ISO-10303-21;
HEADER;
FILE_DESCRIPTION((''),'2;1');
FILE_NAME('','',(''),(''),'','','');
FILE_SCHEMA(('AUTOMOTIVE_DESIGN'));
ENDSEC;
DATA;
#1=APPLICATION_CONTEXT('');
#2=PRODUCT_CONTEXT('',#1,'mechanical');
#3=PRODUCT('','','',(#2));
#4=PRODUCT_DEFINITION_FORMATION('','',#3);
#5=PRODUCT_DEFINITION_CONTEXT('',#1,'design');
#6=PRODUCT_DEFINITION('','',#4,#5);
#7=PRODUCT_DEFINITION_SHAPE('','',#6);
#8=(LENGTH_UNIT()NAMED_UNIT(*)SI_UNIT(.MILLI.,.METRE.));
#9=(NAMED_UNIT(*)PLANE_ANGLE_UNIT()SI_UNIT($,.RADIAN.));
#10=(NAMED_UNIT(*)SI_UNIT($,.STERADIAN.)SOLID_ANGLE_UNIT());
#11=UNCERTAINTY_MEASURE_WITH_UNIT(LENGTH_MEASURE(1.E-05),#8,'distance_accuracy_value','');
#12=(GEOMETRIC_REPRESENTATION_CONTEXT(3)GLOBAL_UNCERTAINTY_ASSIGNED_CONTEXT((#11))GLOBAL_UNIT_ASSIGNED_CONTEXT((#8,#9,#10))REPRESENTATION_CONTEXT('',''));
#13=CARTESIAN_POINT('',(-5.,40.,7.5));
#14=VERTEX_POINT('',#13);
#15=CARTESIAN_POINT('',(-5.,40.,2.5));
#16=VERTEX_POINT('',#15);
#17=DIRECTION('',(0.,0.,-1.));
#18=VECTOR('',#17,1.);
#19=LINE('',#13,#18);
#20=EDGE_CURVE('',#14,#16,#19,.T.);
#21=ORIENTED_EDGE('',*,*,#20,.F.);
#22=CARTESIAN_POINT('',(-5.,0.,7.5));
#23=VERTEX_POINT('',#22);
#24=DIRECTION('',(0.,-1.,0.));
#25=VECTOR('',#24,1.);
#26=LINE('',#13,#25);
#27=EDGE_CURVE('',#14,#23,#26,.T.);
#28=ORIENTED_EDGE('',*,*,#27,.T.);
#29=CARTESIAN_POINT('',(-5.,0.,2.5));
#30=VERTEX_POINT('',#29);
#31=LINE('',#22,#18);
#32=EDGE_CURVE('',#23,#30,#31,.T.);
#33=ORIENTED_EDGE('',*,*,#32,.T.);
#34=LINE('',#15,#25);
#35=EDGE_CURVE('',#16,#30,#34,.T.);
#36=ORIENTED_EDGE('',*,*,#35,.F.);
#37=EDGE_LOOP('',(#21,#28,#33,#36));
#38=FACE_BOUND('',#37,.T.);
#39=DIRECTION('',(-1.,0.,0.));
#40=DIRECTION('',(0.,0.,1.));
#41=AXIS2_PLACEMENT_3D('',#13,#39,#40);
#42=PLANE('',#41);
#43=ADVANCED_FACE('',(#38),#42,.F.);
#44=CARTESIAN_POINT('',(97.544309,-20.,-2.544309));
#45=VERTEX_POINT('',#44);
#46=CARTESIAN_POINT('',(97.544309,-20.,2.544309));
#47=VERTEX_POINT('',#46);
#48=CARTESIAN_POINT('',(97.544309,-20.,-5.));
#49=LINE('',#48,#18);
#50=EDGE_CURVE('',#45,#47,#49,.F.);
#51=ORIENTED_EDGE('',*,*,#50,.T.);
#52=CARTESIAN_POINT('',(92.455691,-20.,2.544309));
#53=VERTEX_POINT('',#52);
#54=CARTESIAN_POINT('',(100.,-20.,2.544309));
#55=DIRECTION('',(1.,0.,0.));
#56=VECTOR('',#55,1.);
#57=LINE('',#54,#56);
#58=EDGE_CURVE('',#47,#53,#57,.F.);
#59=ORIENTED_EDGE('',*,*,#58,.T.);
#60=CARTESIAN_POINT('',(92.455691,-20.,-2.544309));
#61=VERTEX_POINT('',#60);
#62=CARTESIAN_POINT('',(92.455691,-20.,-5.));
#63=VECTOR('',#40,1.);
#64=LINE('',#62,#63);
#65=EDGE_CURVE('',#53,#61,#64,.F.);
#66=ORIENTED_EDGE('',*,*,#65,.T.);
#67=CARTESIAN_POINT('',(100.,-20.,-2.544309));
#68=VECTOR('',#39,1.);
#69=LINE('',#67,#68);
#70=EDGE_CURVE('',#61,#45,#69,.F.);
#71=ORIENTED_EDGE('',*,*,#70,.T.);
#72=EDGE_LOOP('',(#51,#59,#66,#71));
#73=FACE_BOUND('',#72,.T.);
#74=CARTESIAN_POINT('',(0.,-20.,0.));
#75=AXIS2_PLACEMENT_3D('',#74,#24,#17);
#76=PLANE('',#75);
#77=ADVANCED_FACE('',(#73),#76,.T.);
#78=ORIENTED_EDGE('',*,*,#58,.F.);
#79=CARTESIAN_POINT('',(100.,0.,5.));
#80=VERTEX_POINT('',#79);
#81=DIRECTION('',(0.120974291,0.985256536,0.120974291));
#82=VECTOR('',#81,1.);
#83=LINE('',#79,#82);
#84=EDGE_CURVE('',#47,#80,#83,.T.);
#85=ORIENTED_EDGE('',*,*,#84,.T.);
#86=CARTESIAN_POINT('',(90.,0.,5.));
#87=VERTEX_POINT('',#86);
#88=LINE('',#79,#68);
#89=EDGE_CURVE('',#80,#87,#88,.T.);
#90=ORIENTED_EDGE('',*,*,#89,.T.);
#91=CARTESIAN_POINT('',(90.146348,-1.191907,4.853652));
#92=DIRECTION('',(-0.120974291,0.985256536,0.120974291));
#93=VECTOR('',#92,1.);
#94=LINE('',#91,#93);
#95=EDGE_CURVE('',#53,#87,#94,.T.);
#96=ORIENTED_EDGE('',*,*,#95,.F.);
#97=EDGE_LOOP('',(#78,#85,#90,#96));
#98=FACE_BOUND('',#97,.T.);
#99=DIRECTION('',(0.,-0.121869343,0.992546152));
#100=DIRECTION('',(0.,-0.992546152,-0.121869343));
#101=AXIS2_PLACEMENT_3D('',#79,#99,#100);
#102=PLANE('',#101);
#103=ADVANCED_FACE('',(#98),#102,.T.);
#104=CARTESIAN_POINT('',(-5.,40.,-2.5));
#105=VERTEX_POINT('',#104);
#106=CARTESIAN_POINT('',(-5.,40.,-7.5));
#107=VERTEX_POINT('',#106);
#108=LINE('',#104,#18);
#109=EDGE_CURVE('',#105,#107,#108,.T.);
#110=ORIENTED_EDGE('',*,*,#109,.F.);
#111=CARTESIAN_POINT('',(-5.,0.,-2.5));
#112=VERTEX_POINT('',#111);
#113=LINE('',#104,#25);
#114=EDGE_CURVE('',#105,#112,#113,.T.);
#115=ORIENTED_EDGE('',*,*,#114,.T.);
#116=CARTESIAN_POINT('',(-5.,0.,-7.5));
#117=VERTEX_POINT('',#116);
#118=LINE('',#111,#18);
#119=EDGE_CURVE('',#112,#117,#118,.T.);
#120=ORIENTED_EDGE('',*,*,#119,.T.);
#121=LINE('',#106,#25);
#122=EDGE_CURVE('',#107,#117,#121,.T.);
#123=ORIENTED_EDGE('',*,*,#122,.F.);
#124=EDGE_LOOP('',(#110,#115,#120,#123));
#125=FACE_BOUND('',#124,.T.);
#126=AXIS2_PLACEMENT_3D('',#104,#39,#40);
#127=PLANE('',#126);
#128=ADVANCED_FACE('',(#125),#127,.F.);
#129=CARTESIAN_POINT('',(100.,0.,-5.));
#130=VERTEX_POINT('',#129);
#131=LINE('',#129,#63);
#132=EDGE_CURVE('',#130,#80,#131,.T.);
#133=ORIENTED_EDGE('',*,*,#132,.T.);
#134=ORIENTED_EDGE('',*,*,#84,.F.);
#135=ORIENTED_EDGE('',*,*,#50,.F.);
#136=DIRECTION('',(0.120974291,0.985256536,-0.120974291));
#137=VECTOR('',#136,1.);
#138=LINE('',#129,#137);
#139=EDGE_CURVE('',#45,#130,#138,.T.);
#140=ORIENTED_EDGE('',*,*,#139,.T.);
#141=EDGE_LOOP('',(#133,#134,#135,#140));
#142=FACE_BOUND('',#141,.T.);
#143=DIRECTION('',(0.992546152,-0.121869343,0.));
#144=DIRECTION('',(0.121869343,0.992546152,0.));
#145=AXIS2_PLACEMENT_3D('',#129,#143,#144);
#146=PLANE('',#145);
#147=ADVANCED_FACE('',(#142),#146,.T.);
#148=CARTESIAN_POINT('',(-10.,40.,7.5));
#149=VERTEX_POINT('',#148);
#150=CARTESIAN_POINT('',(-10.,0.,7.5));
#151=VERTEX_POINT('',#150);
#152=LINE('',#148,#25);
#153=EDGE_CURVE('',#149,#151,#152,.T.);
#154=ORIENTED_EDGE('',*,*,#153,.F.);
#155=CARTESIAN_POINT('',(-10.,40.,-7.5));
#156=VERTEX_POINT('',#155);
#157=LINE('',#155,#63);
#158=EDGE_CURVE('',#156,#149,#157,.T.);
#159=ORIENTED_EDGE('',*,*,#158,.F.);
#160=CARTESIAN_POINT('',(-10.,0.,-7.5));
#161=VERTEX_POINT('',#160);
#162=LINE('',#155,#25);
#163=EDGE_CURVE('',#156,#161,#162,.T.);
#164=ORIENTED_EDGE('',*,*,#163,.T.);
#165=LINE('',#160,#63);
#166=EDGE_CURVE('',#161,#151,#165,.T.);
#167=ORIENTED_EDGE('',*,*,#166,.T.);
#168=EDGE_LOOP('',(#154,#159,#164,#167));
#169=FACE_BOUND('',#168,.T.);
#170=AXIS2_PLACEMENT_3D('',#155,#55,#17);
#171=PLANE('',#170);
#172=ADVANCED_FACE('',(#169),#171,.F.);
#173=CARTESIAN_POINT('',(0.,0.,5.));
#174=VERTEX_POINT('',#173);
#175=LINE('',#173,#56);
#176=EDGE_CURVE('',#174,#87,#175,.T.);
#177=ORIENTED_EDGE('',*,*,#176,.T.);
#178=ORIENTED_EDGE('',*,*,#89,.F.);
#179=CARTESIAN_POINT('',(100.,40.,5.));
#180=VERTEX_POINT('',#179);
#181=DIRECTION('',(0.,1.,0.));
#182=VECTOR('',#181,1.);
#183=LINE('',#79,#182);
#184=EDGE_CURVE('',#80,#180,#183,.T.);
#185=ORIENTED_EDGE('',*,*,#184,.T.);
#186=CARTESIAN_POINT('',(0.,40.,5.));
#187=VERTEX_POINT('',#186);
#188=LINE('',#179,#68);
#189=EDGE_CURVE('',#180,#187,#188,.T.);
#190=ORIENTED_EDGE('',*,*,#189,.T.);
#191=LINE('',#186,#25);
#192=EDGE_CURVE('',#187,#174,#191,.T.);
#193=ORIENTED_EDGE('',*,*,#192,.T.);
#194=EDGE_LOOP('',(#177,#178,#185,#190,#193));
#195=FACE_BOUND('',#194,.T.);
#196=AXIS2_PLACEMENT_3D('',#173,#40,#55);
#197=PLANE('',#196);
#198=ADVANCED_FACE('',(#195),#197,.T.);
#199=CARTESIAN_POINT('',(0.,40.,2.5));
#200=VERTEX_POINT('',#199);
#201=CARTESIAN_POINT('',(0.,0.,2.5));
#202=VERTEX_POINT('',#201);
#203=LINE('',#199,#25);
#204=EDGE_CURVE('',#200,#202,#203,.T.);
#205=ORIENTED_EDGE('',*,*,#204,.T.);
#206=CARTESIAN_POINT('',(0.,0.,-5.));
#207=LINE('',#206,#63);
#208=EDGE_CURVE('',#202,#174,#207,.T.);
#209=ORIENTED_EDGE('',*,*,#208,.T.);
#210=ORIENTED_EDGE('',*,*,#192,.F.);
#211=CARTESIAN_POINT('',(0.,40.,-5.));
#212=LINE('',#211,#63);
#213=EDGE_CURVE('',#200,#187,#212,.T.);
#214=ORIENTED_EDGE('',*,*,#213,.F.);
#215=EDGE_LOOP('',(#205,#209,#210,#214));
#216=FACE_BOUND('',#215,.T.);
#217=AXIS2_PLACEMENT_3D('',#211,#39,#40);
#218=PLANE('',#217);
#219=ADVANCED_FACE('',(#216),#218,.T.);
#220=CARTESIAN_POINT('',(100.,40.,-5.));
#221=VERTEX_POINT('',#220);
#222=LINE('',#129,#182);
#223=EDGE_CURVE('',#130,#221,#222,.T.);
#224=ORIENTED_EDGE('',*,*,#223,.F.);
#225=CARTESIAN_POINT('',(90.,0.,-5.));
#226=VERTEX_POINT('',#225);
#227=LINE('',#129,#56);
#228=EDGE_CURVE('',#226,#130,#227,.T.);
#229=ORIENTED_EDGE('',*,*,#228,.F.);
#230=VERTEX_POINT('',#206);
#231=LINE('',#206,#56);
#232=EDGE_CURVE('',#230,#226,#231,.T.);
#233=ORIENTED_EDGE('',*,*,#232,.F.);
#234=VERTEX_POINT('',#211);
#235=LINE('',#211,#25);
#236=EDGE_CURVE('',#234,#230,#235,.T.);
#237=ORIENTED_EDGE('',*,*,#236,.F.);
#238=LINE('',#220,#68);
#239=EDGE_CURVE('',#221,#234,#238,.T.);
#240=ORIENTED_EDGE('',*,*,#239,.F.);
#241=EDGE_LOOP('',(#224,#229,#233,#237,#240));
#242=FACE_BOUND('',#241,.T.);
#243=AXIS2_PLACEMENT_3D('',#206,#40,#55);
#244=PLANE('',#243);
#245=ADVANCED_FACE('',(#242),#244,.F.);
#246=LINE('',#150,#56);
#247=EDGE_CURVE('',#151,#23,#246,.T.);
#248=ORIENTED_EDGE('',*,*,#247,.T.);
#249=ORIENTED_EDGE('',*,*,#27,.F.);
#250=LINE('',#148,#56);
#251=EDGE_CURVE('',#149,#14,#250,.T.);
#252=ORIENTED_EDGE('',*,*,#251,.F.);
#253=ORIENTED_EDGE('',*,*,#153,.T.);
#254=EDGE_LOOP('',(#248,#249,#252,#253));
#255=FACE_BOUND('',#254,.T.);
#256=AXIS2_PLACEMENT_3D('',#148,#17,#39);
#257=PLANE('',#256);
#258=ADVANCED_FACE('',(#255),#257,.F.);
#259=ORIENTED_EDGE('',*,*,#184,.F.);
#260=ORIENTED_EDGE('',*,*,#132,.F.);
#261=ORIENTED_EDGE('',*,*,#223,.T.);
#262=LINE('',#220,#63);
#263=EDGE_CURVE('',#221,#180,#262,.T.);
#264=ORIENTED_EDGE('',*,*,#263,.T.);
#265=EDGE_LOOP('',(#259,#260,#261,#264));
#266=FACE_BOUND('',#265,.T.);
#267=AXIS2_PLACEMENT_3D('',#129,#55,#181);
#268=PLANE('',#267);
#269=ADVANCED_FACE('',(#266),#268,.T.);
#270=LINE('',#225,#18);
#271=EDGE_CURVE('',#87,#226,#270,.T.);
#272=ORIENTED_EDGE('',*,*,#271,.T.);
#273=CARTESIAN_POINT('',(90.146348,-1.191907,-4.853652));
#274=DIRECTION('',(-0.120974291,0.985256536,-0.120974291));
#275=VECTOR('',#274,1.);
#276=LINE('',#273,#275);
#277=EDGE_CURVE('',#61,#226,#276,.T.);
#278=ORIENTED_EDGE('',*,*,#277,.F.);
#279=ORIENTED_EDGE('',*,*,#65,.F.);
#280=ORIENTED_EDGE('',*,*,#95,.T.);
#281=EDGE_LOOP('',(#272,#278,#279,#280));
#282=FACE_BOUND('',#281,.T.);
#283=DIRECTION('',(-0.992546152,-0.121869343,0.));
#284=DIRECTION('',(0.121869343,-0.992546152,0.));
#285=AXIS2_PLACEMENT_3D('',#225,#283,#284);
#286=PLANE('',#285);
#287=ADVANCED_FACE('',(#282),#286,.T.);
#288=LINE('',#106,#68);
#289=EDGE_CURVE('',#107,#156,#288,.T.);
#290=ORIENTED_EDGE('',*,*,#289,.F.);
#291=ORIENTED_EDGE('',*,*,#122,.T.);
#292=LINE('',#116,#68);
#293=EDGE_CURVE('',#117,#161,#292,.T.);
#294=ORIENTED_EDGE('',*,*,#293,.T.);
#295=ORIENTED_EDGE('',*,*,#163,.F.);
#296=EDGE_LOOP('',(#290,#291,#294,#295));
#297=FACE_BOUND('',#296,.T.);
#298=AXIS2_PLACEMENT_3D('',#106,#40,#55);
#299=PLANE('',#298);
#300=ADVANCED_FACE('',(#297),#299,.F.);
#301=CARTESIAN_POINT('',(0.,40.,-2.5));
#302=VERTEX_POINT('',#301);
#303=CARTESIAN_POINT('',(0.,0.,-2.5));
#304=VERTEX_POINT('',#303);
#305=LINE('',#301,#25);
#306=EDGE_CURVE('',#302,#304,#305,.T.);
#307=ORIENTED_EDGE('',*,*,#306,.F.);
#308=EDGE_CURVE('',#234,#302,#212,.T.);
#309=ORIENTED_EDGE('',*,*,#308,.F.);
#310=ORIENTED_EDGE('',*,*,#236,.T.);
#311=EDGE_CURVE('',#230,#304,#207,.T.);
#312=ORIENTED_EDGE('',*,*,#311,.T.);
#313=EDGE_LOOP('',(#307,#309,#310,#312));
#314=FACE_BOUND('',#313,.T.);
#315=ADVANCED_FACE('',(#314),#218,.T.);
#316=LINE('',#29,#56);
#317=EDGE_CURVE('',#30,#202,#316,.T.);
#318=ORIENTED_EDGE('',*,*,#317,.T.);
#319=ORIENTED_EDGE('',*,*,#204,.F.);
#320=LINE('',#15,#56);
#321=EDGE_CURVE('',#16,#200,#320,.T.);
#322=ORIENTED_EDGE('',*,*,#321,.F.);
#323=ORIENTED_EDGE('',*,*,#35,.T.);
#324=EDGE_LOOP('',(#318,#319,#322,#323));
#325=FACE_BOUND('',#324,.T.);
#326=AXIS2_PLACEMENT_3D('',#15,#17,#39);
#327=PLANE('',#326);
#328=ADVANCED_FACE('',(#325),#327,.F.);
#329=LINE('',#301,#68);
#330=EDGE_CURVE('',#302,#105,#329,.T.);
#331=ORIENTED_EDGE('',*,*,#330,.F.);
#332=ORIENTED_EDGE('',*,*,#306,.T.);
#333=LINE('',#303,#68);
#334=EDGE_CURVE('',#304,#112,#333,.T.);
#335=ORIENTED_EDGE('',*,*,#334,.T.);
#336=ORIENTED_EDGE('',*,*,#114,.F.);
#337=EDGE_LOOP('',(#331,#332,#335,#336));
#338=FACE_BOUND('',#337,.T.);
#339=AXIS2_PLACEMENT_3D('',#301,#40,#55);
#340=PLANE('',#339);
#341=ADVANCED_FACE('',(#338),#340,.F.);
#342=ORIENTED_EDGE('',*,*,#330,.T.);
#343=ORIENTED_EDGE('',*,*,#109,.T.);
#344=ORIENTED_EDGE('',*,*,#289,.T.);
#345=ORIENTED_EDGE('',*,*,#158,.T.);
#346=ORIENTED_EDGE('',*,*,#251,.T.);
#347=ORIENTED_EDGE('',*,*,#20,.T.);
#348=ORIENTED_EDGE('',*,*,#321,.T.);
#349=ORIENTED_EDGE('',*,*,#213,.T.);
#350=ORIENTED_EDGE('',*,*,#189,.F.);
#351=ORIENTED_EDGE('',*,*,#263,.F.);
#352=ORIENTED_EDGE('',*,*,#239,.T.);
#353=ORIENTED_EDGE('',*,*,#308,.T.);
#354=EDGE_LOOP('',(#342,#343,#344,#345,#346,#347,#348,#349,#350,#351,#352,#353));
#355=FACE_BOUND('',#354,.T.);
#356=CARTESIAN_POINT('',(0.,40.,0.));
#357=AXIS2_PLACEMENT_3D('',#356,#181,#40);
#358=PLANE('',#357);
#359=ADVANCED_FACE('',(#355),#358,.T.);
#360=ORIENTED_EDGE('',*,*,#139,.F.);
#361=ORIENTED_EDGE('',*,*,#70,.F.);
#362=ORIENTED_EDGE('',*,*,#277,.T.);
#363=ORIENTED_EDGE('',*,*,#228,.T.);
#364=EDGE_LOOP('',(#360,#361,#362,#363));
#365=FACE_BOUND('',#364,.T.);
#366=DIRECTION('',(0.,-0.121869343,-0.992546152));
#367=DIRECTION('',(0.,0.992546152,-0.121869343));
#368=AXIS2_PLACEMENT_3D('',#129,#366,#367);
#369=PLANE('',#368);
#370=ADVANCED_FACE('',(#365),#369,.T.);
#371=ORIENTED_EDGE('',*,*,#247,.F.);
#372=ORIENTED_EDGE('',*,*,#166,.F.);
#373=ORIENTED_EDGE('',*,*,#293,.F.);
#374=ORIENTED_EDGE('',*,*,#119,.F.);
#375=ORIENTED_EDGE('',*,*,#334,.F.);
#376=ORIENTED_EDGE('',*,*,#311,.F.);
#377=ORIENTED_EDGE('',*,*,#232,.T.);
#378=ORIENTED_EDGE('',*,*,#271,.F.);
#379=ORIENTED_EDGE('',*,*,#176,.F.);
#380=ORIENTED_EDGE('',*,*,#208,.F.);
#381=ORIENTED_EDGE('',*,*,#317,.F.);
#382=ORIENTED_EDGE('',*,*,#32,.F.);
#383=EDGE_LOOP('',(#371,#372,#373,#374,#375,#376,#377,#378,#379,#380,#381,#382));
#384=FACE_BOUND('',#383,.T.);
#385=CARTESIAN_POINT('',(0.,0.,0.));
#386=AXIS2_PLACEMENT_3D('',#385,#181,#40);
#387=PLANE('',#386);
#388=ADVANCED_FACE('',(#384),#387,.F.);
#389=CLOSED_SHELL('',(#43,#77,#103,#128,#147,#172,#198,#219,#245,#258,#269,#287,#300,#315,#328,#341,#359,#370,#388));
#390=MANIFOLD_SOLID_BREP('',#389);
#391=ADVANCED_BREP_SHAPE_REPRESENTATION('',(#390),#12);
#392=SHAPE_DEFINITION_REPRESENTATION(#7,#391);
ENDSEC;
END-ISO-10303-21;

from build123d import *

# Parameters (mm, degrees)
BOSS_EXTRUDE1_DEPTH      = 40
SKETCH3_W                = 100
SKETCH3_H                = 40
BOSS_EXTRUDE2_DEPTH      = 5
BOSS_EXTRUDE2_DEPTH_BACK = 5
SKETCH4_W                = 10
SKETCH4_H                = 10
BOSS_EXTRUDE3_DEPTH      = 20
BOSS_EXTRUDE3_TAPER      = 7


with BuildPart() as part:
    # Sketch2 → Boss-Extrude1 (new body)
    with BuildSketch(Plane(origin=(0, 0, 0), x_dir=(1, 0, 0), z_dir=(0, 1, 0))):
        Polygon((-10, 7.5), (-10, -7.5), (-5, -7.5), (-5, -2.5), (0, -2.5), (0, 2.5), (-5, 2.5), (-5, 7.5), align=None)
    extrude(amount=BOSS_EXTRUDE1_DEPTH)

    # Sketch3 → Boss-Extrude2 (add, two sides)
    with BuildSketch(Plane.XY) as boss_extrude2_sk:
        with Locations((50, 20)):
            Rectangle(SKETCH3_W, SKETCH3_H)
    extrude(amount=BOSS_EXTRUDE2_DEPTH)
    extrude(boss_extrude2_sk.sketch, amount=-BOSS_EXTRUDE2_DEPTH_BACK)

    # Sketch4 → Boss-Extrude3 (add)
    with BuildSketch(Plane.XZ):
        with Locations((95, 0)):
            Rectangle(SKETCH4_W, SKETCH4_H)
    extrude(amount=BOSS_EXTRUDE3_DEPTH, taper=BOSS_EXTRUDE3_TAPER)


solid = part.part
